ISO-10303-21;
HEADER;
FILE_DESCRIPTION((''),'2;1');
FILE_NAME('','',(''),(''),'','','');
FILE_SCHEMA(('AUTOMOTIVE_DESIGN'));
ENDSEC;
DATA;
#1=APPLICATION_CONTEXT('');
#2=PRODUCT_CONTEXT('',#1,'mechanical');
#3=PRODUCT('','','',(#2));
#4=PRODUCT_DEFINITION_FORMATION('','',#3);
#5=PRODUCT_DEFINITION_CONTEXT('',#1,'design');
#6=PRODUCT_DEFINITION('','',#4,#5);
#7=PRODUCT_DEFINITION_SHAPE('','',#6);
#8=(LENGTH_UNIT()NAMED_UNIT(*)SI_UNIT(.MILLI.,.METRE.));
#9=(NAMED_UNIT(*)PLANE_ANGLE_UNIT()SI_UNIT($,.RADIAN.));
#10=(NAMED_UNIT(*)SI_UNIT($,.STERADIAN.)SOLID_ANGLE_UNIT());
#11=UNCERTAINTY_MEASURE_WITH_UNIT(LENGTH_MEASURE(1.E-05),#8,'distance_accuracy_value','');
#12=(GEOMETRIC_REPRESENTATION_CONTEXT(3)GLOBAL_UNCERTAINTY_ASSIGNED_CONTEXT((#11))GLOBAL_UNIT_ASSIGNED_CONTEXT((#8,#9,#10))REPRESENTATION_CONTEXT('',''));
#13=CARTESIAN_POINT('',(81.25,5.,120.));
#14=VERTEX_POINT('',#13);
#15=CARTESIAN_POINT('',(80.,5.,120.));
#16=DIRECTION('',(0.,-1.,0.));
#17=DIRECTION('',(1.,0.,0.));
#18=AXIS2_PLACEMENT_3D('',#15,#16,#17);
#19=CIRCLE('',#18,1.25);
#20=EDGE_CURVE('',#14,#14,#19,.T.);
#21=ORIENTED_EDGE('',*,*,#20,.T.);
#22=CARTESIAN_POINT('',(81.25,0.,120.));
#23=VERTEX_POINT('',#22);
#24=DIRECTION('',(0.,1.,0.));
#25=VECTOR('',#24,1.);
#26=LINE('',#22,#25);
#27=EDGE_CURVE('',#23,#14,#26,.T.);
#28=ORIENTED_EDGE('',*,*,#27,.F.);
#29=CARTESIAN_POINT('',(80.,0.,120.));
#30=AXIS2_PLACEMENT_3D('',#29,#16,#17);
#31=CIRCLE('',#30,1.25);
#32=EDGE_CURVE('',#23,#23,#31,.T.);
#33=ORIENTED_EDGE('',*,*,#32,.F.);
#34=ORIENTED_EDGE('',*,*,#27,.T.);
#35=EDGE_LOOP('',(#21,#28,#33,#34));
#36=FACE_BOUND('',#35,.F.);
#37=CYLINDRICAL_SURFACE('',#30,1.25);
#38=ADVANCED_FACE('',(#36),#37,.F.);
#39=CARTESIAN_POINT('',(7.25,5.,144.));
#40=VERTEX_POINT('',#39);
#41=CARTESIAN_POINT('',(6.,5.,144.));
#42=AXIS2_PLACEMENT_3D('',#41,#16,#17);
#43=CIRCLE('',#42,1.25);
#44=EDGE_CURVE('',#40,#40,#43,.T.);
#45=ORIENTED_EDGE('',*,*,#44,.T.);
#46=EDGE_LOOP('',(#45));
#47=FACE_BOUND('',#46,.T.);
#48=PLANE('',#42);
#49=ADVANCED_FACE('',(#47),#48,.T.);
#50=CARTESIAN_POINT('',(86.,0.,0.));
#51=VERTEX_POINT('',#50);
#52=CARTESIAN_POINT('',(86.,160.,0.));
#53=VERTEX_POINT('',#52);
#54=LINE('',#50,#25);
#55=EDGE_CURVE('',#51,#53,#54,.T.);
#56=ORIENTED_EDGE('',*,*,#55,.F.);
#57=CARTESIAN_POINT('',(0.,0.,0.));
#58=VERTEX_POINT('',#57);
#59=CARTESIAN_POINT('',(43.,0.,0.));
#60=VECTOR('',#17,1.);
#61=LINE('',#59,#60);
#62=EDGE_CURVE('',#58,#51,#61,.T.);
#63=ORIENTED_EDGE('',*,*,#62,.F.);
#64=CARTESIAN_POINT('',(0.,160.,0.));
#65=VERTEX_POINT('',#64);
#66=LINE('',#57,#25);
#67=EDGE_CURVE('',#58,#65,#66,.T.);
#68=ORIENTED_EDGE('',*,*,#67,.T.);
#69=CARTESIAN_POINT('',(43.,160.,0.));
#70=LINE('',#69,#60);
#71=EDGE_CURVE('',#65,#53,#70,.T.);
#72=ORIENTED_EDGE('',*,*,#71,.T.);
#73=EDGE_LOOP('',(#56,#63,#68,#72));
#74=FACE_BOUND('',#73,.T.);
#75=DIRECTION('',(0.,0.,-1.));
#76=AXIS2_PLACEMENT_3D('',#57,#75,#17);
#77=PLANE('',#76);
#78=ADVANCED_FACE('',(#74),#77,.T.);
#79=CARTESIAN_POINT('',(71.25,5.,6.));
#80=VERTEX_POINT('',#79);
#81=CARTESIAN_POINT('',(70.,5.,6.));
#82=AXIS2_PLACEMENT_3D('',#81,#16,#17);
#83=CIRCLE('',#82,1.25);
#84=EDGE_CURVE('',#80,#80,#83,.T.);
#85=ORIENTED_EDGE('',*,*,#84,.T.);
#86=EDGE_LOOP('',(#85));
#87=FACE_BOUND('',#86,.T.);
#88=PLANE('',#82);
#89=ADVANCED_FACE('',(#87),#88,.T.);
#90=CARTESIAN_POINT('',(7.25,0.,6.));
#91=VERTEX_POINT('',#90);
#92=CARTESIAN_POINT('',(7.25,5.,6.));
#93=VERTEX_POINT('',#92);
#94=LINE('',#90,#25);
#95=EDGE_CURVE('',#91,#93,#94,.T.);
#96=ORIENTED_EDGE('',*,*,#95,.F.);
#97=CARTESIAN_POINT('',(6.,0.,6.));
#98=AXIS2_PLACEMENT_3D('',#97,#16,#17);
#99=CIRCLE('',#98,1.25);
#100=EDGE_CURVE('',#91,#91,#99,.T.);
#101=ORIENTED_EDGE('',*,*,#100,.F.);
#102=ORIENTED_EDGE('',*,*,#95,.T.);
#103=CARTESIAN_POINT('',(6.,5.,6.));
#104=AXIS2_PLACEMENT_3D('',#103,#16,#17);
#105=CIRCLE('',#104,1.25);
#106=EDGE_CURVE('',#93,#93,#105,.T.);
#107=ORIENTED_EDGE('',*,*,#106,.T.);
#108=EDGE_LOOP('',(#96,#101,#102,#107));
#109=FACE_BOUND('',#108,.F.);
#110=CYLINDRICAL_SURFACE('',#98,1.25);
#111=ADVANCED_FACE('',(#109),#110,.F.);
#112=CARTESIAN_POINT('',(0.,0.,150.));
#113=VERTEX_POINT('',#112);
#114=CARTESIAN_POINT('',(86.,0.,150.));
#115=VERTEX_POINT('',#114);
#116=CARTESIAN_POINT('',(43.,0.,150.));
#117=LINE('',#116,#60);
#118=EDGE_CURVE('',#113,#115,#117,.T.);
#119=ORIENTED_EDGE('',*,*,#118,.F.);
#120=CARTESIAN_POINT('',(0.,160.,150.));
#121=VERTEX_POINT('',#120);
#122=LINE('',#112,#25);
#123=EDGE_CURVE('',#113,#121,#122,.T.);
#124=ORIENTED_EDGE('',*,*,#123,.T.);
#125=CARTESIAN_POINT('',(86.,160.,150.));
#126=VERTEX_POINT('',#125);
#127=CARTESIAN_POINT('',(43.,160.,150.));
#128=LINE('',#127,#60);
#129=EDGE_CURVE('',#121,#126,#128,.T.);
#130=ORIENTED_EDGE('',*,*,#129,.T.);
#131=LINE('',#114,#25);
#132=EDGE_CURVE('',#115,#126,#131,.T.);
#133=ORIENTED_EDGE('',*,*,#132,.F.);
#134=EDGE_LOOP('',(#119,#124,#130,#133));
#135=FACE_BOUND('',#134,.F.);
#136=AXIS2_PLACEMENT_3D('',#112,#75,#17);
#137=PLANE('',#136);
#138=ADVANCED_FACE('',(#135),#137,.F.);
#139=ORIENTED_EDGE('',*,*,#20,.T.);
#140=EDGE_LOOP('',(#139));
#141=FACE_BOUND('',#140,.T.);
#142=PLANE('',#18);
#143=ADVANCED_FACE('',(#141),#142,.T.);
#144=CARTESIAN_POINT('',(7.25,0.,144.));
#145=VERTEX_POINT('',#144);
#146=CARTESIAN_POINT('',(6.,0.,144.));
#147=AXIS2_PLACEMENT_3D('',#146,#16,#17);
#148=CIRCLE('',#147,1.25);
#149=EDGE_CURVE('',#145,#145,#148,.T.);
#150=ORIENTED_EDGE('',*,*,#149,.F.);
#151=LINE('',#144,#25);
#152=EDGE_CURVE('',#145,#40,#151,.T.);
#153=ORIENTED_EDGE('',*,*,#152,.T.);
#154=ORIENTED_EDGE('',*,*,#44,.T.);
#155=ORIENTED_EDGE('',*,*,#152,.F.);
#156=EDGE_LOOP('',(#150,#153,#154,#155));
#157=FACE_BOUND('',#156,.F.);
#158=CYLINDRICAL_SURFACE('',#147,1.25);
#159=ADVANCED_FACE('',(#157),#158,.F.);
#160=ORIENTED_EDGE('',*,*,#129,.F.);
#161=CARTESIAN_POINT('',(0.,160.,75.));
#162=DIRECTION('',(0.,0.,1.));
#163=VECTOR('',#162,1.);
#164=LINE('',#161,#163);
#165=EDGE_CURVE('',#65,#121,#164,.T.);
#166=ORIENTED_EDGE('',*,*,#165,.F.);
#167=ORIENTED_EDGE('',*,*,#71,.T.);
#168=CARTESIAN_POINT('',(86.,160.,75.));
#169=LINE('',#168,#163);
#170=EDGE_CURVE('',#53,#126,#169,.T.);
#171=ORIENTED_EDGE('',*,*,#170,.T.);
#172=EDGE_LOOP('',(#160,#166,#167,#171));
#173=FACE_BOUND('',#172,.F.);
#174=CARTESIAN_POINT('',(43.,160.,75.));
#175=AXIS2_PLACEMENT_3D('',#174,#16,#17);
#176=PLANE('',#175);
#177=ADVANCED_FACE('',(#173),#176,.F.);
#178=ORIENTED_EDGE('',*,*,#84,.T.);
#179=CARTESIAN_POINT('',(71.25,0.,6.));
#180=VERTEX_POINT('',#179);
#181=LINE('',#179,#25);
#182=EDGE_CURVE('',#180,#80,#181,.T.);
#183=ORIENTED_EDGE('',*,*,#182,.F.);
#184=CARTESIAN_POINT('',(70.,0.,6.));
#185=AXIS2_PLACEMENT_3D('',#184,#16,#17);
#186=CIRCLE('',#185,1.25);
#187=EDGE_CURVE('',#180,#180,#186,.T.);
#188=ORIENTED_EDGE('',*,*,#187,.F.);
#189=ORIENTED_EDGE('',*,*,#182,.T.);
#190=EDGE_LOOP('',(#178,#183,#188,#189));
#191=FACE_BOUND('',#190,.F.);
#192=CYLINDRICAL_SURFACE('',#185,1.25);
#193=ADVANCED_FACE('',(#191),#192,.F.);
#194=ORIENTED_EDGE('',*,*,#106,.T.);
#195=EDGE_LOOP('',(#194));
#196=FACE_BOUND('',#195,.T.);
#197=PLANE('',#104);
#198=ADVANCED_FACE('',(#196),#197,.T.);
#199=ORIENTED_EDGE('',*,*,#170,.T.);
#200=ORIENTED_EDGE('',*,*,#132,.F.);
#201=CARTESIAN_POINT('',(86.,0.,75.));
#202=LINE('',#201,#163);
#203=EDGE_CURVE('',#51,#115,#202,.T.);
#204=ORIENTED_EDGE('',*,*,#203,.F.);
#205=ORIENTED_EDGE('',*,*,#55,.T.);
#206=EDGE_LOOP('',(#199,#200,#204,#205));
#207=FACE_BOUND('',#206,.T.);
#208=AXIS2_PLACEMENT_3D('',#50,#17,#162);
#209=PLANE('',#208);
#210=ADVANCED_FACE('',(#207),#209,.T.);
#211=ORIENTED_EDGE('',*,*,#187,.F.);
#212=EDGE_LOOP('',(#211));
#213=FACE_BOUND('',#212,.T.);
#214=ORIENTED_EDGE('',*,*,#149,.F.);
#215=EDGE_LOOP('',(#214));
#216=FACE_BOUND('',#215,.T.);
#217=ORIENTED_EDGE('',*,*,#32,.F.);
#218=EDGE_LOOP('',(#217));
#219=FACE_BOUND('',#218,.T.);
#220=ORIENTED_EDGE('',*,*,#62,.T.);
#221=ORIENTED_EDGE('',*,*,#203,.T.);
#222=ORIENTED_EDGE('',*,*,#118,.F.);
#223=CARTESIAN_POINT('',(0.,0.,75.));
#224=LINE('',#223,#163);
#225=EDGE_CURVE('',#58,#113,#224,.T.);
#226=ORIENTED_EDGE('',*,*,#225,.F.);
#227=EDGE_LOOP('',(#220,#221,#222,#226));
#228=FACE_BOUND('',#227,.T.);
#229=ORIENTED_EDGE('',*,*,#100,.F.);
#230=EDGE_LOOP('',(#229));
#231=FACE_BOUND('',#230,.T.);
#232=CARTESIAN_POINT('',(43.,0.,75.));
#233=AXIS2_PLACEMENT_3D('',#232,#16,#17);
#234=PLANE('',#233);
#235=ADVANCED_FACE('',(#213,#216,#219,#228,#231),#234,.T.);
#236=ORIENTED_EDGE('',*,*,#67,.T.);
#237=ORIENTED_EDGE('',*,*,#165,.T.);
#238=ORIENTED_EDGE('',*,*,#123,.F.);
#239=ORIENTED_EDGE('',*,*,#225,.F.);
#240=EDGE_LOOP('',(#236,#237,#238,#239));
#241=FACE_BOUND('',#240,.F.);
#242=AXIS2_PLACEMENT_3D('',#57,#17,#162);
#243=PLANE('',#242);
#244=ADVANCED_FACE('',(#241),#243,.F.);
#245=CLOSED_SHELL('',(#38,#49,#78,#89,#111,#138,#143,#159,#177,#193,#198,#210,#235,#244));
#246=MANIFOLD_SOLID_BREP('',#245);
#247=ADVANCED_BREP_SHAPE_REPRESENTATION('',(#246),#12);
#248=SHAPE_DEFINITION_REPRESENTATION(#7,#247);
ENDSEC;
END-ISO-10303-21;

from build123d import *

# Parameters (mm, degrees)
F0_W     = 86
F0_H     = 150
F1_DEPTH = 160
F2_R     = 1.25
F3_DEPTH = 5


with BuildPart() as f1:
    # F0 (on Front) → F1 (new body)
    with BuildSketch(Plane.XZ):
        with Locations((43, 75)):
            Rectangle(F0_W, F0_H)
    extrude(amount=-F1_DEPTH)

    # F2 (on face) → F3 (cut)
    with BuildSketch(Plane.XZ):
        with Locations((6, 6)):
            Circle(F2_R)
        with Locations((70, 6)):
            Circle(F2_R)
        with Locations((80, 120)):
            Circle(F2_R)
        with Locations((6, 144)):
            Circle(F2_R)
    extrude(amount=-F3_DEPTH, mode=Mode.SUBTRACT)


solid = f1.part
